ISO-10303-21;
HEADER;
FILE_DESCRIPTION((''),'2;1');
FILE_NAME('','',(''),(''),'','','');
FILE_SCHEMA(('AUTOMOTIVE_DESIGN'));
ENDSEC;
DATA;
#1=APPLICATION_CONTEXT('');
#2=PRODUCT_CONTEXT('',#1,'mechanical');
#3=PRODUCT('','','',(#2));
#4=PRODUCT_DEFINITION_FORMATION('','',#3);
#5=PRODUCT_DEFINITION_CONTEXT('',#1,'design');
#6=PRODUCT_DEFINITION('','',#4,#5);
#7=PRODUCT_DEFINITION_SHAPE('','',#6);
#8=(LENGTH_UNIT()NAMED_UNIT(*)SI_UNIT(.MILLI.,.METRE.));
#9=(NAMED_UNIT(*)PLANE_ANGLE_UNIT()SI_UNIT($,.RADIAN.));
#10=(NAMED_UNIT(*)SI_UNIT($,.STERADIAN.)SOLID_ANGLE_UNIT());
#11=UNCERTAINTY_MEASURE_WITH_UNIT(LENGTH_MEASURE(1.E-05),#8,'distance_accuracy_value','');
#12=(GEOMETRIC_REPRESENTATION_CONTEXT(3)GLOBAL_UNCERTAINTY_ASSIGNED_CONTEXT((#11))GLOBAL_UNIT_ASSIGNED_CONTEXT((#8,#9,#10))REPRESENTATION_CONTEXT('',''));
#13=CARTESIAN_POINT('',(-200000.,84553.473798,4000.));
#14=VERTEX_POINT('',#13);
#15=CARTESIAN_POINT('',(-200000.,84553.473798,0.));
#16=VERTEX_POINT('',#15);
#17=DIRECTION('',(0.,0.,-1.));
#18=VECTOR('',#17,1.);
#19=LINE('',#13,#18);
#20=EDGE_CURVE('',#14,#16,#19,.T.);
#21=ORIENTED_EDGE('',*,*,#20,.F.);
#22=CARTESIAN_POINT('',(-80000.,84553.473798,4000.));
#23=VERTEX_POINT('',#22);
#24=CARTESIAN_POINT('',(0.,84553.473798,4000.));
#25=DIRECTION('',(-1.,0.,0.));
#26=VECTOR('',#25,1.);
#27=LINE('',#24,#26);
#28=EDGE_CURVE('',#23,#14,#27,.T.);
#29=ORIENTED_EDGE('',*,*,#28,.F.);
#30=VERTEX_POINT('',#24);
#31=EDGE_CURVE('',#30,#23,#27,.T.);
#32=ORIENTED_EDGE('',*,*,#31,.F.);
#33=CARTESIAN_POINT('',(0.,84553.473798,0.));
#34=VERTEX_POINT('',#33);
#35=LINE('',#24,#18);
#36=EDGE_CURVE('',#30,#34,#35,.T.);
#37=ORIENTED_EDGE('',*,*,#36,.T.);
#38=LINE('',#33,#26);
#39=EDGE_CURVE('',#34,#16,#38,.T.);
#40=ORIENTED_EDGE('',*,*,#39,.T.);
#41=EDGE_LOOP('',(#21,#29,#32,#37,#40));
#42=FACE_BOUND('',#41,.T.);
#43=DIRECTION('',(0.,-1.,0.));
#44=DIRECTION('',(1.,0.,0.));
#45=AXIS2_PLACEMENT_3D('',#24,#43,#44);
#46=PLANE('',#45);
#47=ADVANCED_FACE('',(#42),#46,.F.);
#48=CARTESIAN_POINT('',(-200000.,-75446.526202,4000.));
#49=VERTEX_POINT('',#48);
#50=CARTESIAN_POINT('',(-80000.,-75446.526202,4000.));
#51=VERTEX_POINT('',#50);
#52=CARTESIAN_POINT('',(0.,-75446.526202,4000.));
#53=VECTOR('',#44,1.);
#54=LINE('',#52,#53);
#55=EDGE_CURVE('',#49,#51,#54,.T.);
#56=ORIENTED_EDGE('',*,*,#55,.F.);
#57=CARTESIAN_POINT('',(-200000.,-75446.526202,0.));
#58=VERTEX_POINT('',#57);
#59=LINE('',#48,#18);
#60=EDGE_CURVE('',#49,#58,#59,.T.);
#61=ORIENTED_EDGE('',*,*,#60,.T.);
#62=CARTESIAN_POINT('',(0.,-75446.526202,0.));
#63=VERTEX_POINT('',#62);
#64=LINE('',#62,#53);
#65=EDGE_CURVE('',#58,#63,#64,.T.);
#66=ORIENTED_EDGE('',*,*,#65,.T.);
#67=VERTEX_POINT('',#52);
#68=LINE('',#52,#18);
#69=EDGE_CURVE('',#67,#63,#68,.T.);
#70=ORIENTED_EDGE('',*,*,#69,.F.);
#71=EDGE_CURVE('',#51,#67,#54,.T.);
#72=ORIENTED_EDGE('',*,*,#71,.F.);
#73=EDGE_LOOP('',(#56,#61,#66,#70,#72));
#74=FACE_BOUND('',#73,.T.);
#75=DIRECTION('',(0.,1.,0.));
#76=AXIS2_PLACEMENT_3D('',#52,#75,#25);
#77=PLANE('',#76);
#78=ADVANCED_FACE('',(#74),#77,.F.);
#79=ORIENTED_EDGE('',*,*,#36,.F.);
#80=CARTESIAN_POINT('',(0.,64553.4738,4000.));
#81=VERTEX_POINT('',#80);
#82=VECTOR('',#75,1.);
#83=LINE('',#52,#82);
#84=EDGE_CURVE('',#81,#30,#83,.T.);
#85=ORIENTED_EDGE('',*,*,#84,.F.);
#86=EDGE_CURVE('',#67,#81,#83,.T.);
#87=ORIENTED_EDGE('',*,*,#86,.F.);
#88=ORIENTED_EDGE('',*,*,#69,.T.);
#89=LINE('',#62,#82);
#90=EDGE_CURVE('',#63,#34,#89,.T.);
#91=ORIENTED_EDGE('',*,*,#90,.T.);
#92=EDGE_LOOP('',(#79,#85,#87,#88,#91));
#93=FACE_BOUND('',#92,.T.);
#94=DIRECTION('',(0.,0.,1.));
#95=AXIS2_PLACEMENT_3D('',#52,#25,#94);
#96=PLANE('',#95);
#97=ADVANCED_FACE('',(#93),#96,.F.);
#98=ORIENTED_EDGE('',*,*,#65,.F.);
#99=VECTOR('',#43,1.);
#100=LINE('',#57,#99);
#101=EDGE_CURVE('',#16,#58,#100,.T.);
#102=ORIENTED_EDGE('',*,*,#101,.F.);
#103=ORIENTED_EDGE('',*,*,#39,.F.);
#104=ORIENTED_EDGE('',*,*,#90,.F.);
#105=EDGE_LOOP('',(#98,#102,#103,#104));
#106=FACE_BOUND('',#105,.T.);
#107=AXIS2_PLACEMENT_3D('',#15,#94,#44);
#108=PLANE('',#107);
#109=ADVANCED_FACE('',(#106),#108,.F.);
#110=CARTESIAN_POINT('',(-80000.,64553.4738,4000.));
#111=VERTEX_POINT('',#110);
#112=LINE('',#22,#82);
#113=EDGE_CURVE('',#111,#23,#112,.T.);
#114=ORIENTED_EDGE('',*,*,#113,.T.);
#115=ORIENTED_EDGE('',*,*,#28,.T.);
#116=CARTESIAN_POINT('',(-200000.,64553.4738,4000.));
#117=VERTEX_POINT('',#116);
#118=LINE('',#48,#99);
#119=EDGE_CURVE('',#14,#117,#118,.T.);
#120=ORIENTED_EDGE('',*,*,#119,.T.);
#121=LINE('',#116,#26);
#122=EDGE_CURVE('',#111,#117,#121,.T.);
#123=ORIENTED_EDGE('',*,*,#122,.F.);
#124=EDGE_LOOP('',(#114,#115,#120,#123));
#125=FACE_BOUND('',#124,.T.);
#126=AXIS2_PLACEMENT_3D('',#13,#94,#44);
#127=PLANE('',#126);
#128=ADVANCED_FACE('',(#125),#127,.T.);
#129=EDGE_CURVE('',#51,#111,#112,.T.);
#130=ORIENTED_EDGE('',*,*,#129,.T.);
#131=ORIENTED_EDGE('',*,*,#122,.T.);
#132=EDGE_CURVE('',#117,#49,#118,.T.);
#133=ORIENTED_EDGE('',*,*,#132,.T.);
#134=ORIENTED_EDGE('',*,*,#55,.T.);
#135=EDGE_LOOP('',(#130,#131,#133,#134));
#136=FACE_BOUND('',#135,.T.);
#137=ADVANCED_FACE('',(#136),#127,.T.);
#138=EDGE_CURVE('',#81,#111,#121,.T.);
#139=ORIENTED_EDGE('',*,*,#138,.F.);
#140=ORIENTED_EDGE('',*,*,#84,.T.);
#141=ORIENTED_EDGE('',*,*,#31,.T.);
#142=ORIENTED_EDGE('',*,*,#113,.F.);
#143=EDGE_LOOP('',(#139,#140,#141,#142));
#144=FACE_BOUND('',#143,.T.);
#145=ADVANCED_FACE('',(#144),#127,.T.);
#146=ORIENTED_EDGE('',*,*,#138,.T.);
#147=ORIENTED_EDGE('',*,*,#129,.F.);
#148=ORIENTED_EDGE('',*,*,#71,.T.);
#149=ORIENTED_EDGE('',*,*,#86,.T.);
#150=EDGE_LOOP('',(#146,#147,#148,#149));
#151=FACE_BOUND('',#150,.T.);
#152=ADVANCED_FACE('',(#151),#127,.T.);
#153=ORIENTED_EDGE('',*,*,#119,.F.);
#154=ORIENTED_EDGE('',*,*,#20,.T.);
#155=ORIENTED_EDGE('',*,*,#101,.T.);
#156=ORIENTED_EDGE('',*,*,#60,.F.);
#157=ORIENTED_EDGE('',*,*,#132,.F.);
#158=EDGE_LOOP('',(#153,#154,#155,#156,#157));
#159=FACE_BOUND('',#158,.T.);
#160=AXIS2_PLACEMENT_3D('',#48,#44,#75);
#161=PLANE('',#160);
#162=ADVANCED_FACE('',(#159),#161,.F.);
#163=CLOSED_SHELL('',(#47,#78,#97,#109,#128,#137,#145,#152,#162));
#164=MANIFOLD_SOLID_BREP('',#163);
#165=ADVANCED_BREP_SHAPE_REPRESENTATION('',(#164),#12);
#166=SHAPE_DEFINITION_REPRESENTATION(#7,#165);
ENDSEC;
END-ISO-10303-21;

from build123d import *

# Parameters (mm, degrees)
SKETCH1_W      = 200000
SKETCH1_H      = 160000
EXTRUDE1_DEPTH = 4000


with BuildPart() as part:
    # Sketch1 → Extrude1 (new body)
    with BuildSketch(Plane.XY):
        with Locations((-100000, 4553.473798332)):
            Rectangle(SKETCH1_W, SKETCH1_H)
    extrude(amount=EXTRUDE1_DEPTH)


solid = part.part
